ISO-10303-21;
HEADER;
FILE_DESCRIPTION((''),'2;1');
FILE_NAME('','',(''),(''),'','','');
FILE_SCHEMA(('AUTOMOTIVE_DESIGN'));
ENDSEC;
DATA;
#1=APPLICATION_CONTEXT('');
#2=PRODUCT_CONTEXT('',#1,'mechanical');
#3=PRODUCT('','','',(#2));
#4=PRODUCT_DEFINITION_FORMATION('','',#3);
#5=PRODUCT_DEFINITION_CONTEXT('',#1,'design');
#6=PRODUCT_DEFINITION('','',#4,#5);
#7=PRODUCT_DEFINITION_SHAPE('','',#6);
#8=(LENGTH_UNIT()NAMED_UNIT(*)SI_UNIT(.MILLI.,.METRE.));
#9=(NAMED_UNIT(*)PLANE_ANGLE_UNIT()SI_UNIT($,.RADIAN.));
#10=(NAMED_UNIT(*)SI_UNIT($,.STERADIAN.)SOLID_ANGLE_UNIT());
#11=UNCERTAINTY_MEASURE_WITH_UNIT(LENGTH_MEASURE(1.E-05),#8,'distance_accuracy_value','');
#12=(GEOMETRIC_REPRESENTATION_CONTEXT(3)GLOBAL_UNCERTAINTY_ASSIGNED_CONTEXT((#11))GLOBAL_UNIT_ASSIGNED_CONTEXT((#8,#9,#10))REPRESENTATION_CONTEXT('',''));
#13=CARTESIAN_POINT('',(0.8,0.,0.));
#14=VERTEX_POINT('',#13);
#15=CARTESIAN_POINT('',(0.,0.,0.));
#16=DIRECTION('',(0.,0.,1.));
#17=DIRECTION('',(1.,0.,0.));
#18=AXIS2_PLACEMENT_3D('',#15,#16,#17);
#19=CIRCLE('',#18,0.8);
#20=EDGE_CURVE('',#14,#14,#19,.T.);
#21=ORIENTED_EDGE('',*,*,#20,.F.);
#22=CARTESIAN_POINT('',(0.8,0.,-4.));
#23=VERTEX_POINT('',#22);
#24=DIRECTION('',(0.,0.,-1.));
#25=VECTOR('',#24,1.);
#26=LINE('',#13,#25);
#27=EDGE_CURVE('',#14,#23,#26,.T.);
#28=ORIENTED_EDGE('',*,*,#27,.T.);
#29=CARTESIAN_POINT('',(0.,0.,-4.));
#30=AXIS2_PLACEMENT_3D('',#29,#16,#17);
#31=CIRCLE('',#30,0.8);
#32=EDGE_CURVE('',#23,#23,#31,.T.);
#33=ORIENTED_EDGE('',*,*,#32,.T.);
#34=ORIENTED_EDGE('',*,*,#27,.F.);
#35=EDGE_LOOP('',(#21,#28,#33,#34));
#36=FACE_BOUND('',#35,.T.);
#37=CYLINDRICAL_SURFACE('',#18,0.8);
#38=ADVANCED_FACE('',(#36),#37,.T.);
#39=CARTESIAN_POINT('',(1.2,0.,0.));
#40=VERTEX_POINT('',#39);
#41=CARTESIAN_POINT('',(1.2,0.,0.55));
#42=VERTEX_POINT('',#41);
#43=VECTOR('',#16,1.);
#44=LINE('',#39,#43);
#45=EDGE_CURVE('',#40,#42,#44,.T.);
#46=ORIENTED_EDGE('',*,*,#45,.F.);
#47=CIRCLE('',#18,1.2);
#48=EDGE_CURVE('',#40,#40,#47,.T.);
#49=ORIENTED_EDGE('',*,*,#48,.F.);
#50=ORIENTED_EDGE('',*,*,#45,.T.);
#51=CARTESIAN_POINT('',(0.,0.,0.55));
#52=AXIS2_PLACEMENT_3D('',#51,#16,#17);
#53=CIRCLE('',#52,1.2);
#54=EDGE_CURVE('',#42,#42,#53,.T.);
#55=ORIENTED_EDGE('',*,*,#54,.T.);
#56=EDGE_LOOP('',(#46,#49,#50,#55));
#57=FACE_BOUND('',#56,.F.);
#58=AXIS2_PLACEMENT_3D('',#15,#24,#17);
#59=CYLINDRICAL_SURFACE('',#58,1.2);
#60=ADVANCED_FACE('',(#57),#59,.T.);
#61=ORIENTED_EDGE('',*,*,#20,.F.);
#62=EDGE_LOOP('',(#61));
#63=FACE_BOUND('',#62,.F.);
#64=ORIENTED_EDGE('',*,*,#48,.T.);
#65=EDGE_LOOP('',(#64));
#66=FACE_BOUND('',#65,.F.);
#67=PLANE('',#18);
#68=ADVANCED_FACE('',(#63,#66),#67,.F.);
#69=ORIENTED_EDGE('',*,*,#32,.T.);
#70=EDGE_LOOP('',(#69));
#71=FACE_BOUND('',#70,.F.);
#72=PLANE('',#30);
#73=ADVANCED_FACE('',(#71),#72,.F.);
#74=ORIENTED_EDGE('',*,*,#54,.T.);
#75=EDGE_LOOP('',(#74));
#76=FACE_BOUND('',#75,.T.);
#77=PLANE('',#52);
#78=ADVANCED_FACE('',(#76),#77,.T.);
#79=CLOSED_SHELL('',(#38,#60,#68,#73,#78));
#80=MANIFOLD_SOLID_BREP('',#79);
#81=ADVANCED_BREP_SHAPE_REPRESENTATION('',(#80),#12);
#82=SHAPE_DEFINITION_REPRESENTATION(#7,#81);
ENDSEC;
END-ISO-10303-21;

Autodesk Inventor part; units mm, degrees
ref_plane "YZ Plane" through (0, 0, 0) normal (1, 0, 0) x (0, 1, 0)
ref_plane "XZ Plane" through (0, 0, 0) normal (0, 1, 0) x (-1, 0, 0)
ref_plane "XY Plane" through (0, 0, 0) normal (0, 0, 1) x (1, 0, 0)
sketch "スケッチ2" plane through (0, 0, 0) normal (0, 0, 1) x (1, 0, 0)
  circle A0 centre (0, 0) radius 1.2
  circle A1 centre (0, 0) radius 0.8
  dimension "d1" = 2.4
  dimension "d2" = 1.6
extrude "押し出し1" add sketch "スケッチ2" along normal blind 0.55 contours A0 | A1
extrude "押し出し2" add sketch "スケッチ2" against normal blind 4 contours A1
properties part number "m1.6_4_なべ小ねじ0番"
